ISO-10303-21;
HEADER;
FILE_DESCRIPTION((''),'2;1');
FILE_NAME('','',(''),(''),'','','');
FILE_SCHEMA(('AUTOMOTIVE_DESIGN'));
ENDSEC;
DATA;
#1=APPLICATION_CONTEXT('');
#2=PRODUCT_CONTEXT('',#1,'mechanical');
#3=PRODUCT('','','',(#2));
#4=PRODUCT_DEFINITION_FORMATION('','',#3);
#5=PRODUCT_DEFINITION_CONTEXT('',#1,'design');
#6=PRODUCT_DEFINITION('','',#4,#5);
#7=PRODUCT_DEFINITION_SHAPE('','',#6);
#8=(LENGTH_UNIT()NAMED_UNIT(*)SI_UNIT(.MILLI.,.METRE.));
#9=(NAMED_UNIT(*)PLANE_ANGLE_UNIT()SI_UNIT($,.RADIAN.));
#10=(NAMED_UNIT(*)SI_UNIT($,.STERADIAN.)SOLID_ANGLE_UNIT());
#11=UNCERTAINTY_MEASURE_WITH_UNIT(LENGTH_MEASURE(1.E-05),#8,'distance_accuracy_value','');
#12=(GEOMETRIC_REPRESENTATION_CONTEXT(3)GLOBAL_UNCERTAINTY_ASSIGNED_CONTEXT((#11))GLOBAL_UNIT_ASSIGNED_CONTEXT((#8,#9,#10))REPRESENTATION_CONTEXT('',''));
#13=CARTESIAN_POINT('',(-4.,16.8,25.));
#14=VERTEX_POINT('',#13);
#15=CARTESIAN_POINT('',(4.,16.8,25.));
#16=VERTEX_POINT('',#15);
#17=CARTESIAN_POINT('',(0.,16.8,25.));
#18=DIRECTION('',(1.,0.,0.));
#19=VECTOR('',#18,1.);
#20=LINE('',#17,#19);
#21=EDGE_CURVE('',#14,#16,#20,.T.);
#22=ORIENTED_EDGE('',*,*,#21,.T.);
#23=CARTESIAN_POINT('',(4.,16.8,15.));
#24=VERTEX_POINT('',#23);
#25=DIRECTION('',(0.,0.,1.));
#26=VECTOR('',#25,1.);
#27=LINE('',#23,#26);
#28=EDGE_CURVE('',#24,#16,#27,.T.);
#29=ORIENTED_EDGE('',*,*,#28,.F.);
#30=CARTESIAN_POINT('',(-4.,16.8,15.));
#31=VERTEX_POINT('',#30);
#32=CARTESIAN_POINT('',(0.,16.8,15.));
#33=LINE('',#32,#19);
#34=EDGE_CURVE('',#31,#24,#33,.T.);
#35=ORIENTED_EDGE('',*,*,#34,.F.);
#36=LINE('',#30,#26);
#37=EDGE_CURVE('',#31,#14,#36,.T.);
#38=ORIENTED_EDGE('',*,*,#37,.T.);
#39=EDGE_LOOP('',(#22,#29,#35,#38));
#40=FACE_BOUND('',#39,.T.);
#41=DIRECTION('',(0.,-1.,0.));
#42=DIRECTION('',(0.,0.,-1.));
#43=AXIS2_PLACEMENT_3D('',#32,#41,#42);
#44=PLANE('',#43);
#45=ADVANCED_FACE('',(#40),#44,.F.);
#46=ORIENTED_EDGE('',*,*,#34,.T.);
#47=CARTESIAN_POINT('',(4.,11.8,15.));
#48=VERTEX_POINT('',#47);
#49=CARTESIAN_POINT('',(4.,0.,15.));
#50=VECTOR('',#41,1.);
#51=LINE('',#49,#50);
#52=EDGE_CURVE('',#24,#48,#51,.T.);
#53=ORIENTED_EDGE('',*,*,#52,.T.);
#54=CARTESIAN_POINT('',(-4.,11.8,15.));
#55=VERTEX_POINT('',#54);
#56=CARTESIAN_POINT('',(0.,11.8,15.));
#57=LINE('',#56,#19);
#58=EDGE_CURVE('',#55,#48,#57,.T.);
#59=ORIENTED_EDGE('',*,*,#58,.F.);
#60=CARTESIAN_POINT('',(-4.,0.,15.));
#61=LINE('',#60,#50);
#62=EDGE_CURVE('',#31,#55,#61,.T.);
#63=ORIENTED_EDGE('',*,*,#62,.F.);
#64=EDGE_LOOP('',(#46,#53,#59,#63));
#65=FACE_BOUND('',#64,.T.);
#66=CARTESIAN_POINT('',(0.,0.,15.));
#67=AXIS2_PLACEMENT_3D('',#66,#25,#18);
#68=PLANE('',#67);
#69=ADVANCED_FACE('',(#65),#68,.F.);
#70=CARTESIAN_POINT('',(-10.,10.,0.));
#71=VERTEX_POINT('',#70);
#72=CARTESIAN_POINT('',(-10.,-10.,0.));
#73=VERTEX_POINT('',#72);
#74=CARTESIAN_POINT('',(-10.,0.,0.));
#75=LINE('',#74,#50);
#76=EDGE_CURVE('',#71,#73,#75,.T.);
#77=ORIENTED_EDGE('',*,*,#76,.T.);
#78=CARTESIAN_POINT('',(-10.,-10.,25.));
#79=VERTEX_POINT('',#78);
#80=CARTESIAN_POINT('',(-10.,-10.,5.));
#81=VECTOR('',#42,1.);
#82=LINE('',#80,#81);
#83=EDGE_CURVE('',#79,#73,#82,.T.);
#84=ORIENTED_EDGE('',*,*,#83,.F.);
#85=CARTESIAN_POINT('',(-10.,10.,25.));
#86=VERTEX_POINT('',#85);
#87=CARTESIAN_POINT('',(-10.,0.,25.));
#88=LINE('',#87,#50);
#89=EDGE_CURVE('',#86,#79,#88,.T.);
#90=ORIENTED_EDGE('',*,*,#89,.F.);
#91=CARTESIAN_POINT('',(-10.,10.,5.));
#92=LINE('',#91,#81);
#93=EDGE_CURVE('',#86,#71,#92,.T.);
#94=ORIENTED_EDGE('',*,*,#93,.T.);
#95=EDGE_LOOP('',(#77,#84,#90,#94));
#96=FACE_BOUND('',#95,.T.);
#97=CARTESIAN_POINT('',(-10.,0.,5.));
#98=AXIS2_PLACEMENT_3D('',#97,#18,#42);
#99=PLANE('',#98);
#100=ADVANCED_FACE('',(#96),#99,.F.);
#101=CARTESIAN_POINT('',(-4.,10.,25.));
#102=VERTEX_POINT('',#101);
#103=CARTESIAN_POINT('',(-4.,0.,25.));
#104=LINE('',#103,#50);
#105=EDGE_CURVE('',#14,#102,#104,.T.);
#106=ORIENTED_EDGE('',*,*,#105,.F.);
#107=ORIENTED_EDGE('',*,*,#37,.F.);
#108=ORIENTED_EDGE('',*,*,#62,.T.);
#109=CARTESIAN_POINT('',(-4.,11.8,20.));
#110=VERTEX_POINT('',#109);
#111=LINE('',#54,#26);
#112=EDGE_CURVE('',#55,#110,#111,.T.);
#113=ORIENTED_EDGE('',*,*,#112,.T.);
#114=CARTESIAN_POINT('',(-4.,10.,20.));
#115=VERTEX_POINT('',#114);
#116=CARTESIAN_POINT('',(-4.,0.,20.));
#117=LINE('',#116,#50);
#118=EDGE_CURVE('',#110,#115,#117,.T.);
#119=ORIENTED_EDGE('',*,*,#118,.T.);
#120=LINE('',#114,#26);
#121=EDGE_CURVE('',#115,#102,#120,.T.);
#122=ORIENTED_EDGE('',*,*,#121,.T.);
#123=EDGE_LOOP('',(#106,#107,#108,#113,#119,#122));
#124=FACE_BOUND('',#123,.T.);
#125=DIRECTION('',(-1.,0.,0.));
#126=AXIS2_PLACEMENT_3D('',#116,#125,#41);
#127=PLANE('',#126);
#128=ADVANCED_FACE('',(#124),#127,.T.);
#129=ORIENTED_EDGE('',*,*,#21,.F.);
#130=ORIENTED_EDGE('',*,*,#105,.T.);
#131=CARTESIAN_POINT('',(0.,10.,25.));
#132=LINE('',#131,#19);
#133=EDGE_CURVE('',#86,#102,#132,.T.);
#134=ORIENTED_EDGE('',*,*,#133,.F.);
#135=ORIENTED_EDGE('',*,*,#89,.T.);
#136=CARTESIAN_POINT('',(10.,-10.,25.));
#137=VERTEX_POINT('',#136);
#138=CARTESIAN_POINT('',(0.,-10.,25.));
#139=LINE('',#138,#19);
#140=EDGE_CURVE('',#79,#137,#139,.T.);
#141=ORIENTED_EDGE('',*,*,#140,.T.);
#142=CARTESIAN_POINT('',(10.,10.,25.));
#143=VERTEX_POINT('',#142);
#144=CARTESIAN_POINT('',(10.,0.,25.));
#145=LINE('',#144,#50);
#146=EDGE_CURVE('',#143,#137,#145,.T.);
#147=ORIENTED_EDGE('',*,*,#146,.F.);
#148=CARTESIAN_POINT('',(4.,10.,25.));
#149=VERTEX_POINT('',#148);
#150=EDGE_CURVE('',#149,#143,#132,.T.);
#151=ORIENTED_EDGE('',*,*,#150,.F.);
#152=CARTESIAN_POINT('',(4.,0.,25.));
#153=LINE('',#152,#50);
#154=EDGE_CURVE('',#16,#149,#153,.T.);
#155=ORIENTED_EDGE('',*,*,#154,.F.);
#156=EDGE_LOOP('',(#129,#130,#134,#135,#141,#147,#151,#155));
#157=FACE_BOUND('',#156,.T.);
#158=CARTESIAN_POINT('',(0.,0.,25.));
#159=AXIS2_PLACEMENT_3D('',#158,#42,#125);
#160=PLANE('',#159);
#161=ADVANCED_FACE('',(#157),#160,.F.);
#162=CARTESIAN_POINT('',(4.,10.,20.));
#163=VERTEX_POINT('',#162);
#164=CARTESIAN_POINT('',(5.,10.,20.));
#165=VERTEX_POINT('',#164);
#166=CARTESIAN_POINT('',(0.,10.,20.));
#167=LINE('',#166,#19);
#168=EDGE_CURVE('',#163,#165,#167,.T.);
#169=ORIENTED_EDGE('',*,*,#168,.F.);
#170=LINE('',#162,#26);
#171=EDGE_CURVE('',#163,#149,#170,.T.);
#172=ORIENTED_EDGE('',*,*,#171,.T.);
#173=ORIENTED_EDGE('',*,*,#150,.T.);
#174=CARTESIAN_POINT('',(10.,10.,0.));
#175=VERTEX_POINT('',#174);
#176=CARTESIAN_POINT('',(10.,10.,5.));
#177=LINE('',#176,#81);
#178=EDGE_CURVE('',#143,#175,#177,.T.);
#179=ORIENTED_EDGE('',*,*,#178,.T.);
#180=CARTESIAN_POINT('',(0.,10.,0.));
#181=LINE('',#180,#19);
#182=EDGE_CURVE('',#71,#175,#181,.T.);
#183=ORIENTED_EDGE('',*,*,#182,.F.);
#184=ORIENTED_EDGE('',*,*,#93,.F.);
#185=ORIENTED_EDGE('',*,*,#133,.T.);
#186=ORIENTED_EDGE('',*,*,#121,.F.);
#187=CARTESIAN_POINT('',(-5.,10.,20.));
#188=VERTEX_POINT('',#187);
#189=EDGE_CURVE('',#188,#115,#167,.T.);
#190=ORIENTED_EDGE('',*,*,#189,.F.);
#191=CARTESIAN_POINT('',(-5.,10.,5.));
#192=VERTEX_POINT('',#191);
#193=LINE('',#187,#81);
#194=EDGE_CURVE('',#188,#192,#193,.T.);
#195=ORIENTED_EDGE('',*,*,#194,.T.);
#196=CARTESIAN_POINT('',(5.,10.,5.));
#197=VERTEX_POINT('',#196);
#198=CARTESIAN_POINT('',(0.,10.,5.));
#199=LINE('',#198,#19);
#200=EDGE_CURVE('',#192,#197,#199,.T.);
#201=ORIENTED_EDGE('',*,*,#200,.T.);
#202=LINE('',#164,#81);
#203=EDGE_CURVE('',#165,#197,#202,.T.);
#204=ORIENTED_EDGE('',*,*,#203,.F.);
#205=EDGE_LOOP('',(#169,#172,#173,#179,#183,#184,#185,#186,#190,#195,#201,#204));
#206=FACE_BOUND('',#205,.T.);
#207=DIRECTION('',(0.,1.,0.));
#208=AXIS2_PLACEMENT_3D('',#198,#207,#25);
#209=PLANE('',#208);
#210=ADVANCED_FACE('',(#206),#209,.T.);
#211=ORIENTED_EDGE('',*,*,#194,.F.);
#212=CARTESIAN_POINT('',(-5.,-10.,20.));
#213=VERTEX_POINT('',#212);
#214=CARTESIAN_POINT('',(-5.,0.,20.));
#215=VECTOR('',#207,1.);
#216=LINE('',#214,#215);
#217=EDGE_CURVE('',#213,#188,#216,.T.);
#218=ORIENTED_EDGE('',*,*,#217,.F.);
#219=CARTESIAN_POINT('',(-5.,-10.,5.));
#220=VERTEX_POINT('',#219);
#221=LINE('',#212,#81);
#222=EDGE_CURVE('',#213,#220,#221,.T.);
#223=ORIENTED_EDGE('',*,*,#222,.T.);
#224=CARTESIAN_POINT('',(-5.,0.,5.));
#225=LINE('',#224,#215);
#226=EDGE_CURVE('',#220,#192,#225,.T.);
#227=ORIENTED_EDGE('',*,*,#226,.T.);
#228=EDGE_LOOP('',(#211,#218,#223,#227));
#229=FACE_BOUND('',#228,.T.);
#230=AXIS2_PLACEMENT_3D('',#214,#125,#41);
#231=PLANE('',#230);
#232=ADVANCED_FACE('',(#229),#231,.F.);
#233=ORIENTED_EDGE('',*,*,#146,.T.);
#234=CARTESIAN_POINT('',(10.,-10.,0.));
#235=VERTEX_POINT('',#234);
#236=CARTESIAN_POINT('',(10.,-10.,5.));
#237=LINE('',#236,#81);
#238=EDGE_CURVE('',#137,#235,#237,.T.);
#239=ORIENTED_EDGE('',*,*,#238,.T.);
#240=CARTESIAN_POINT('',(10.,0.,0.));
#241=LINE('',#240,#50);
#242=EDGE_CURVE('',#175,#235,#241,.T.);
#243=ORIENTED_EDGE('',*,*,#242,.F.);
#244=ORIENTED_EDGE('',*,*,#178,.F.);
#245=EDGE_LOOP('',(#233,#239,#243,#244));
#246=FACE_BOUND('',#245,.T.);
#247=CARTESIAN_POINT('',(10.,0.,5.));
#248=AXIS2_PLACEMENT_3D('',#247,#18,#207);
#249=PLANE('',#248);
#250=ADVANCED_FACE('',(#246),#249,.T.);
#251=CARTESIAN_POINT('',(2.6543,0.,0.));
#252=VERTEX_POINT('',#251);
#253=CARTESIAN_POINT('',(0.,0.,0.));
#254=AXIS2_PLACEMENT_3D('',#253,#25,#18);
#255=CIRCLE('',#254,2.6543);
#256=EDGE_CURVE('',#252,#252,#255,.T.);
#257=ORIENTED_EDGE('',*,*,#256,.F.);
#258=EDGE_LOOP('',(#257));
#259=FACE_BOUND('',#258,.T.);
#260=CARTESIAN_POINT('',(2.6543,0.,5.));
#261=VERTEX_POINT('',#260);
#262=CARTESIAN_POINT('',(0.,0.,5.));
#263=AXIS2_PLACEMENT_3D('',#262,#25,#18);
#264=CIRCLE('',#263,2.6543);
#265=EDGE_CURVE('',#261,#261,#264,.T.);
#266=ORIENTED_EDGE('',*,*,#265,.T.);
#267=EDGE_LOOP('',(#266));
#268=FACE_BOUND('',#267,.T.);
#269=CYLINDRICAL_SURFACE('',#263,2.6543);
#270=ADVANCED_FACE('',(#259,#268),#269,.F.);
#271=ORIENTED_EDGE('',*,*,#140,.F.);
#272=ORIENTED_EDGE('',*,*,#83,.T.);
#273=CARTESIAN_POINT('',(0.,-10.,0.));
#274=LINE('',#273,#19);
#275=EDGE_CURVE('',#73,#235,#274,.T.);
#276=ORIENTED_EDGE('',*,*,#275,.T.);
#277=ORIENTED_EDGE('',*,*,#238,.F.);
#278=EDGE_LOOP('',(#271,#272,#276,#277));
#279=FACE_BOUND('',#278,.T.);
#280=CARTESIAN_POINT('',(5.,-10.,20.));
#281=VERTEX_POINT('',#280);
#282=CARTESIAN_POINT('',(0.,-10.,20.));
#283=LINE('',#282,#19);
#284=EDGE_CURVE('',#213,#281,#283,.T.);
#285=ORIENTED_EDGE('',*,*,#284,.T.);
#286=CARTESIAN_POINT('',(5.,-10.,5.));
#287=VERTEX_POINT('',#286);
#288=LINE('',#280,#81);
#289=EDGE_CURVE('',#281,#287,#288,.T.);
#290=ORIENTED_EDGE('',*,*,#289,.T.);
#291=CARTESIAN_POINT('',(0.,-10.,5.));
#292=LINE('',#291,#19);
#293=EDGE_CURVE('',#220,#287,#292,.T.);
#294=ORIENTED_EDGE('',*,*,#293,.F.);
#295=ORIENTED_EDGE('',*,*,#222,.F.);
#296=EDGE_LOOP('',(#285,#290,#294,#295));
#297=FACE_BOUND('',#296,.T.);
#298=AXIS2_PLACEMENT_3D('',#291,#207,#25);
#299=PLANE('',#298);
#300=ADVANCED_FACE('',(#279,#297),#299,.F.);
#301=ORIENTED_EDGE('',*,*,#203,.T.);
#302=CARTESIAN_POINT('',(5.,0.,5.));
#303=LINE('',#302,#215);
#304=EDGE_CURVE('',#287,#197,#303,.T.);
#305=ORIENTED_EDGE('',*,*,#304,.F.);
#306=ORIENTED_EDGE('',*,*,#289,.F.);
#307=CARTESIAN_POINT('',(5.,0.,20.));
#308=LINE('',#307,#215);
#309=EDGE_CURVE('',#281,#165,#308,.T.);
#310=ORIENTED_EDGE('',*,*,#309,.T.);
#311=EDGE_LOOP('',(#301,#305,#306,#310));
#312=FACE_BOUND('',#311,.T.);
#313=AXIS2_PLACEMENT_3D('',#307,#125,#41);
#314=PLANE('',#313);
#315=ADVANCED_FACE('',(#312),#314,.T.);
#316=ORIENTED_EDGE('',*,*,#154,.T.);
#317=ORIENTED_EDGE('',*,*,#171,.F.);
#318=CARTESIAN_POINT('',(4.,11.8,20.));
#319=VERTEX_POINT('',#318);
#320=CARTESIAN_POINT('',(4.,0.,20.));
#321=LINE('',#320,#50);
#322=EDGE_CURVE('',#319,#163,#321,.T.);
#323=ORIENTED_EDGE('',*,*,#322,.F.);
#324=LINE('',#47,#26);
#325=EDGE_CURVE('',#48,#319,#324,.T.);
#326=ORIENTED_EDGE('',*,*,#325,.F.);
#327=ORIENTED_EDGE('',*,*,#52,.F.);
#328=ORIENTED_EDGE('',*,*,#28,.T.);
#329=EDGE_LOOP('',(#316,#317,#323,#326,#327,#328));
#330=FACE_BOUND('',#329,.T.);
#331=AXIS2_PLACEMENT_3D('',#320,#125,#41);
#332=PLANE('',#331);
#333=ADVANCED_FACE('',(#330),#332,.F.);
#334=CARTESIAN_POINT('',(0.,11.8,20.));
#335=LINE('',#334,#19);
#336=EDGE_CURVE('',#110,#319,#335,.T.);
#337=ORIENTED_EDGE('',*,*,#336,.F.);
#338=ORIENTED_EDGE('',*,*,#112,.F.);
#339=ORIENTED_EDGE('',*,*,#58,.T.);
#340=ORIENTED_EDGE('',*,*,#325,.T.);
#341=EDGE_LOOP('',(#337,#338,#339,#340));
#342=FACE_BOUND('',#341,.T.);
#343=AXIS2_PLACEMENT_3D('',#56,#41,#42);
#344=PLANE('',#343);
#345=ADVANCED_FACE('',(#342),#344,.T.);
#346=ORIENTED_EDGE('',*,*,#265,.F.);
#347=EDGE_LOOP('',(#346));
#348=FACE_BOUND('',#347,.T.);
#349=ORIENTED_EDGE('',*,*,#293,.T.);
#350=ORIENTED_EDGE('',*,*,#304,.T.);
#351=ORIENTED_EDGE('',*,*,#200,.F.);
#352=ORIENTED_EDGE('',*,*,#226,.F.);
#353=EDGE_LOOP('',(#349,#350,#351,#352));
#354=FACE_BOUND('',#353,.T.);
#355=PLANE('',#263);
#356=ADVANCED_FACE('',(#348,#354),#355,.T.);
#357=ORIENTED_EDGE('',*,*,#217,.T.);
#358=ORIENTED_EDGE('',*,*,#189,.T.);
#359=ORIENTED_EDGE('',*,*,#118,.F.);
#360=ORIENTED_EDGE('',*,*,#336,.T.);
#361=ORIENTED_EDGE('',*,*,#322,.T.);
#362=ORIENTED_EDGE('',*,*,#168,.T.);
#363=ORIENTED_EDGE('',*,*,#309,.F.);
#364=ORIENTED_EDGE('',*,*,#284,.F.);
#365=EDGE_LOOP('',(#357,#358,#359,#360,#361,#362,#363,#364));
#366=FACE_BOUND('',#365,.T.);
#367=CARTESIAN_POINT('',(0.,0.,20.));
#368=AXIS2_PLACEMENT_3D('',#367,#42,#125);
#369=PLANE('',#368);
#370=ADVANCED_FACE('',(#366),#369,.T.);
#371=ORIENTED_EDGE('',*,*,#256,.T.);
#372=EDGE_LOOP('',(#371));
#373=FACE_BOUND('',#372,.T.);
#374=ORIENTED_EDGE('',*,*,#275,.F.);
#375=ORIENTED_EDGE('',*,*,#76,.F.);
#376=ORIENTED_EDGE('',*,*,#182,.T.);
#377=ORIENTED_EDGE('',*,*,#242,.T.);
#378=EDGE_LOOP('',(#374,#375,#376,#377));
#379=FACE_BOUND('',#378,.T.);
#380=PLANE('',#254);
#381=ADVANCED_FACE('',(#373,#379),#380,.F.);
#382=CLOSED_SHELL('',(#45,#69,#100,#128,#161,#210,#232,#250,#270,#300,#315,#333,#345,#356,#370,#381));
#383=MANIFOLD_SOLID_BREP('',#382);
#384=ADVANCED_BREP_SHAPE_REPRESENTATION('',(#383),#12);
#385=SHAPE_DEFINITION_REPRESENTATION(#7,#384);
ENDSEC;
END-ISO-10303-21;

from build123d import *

# Parameters (mm, degrees)
SKETCH1_W                  = 20
SKETCH1_H                  = 20
BOSS_EXTRUDE1_DEPTH        = 5
F_4_0_209_DIAMETER_HOLE1_D = 5.3086
BOSS_EXTRUDE5_START        = 5
SKETCH1_5_W                = 5
SKETCH1_5_H                = 20
BOSS_EXTRUDE5_DEPTH        = 15
BOSS_EXTRUDE6_START        = 20
SKETCH1_6_W                = 5
SKETCH1_6_H                = 20
BOSS_EXTRUDE6_DEPTH        = 5
BOSS_EXTRUDE7_START        = 25
SKETCH1_7_W                = 8
SKETCH1_7_H                = 1.8
BOSS_EXTRUDE7_DEPTH        = 5
BOSS_EXTRUDE8_START        = 25
SKETCH1_8_W                = 8
SKETCH1_8_H                = 5
BOSS_EXTRUDE8_DEPTH        = 10


with BuildPart() as part:
    # Sketch1 → Boss-Extrude1 (new body)
    with BuildSketch(Plane.XY):
        Rectangle(SKETCH1_W, SKETCH1_H)
    extrude(amount=BOSS_EXTRUDE1_DEPTH)

    # #4 (0.209) Diameter Hole1 (through all)
    with Locations(Plane.XY.offset(5)):
        with Locations((0, 0)):
            Hole(F_4_0_209_DIAMETER_HOLE1_D / 2)

    # Sketch1<5> → Boss-Extrude5 (add)
    with BuildSketch(Plane.XY.offset(BOSS_EXTRUDE5_START)):
        with Locations((-7.5, 0)):
            Rectangle(SKETCH1_5_W, SKETCH1_5_H)
        with Locations((7.5, 0)):
            Rectangle(SKETCH1_5_W, SKETCH1_5_H)
    extrude(amount=BOSS_EXTRUDE5_DEPTH)

    # Sketch1<6> → Boss-Extrude6 (add)
    with BuildSketch(Plane.XY.offset(BOSS_EXTRUDE6_START)):
        with Locations((-7.5, 0)):
            Rectangle(SKETCH1_6_W, SKETCH1_6_H)
        Polygon((4, 10), (-4, 10), (-5, 10), (-5, -10), (5, -10), (5, 10), align=None)
        with Locations((7.5, 0)):
            Rectangle(SKETCH1_6_W, SKETCH1_6_H)
    extrude(amount=BOSS_EXTRUDE6_DEPTH)

    # Sketch1<7> → Boss-Extrude7 (add)
    with BuildSketch(Plane.XY.offset(BOSS_EXTRUDE7_START)):
        with Locations((0, 10.9)):
            Rectangle(SKETCH1_7_W, SKETCH1_7_H)
    extrude(amount=-BOSS_EXTRUDE7_DEPTH)

    # Sketch1<8> → Boss-Extrude8 (add)
    with BuildSketch(Plane.XY.offset(BOSS_EXTRUDE8_START)):
        with Locations((0, 14.3)):
            Rectangle(SKETCH1_8_W, SKETCH1_8_H)
    extrude(amount=-BOSS_EXTRUDE8_DEPTH)


solid = part.part
